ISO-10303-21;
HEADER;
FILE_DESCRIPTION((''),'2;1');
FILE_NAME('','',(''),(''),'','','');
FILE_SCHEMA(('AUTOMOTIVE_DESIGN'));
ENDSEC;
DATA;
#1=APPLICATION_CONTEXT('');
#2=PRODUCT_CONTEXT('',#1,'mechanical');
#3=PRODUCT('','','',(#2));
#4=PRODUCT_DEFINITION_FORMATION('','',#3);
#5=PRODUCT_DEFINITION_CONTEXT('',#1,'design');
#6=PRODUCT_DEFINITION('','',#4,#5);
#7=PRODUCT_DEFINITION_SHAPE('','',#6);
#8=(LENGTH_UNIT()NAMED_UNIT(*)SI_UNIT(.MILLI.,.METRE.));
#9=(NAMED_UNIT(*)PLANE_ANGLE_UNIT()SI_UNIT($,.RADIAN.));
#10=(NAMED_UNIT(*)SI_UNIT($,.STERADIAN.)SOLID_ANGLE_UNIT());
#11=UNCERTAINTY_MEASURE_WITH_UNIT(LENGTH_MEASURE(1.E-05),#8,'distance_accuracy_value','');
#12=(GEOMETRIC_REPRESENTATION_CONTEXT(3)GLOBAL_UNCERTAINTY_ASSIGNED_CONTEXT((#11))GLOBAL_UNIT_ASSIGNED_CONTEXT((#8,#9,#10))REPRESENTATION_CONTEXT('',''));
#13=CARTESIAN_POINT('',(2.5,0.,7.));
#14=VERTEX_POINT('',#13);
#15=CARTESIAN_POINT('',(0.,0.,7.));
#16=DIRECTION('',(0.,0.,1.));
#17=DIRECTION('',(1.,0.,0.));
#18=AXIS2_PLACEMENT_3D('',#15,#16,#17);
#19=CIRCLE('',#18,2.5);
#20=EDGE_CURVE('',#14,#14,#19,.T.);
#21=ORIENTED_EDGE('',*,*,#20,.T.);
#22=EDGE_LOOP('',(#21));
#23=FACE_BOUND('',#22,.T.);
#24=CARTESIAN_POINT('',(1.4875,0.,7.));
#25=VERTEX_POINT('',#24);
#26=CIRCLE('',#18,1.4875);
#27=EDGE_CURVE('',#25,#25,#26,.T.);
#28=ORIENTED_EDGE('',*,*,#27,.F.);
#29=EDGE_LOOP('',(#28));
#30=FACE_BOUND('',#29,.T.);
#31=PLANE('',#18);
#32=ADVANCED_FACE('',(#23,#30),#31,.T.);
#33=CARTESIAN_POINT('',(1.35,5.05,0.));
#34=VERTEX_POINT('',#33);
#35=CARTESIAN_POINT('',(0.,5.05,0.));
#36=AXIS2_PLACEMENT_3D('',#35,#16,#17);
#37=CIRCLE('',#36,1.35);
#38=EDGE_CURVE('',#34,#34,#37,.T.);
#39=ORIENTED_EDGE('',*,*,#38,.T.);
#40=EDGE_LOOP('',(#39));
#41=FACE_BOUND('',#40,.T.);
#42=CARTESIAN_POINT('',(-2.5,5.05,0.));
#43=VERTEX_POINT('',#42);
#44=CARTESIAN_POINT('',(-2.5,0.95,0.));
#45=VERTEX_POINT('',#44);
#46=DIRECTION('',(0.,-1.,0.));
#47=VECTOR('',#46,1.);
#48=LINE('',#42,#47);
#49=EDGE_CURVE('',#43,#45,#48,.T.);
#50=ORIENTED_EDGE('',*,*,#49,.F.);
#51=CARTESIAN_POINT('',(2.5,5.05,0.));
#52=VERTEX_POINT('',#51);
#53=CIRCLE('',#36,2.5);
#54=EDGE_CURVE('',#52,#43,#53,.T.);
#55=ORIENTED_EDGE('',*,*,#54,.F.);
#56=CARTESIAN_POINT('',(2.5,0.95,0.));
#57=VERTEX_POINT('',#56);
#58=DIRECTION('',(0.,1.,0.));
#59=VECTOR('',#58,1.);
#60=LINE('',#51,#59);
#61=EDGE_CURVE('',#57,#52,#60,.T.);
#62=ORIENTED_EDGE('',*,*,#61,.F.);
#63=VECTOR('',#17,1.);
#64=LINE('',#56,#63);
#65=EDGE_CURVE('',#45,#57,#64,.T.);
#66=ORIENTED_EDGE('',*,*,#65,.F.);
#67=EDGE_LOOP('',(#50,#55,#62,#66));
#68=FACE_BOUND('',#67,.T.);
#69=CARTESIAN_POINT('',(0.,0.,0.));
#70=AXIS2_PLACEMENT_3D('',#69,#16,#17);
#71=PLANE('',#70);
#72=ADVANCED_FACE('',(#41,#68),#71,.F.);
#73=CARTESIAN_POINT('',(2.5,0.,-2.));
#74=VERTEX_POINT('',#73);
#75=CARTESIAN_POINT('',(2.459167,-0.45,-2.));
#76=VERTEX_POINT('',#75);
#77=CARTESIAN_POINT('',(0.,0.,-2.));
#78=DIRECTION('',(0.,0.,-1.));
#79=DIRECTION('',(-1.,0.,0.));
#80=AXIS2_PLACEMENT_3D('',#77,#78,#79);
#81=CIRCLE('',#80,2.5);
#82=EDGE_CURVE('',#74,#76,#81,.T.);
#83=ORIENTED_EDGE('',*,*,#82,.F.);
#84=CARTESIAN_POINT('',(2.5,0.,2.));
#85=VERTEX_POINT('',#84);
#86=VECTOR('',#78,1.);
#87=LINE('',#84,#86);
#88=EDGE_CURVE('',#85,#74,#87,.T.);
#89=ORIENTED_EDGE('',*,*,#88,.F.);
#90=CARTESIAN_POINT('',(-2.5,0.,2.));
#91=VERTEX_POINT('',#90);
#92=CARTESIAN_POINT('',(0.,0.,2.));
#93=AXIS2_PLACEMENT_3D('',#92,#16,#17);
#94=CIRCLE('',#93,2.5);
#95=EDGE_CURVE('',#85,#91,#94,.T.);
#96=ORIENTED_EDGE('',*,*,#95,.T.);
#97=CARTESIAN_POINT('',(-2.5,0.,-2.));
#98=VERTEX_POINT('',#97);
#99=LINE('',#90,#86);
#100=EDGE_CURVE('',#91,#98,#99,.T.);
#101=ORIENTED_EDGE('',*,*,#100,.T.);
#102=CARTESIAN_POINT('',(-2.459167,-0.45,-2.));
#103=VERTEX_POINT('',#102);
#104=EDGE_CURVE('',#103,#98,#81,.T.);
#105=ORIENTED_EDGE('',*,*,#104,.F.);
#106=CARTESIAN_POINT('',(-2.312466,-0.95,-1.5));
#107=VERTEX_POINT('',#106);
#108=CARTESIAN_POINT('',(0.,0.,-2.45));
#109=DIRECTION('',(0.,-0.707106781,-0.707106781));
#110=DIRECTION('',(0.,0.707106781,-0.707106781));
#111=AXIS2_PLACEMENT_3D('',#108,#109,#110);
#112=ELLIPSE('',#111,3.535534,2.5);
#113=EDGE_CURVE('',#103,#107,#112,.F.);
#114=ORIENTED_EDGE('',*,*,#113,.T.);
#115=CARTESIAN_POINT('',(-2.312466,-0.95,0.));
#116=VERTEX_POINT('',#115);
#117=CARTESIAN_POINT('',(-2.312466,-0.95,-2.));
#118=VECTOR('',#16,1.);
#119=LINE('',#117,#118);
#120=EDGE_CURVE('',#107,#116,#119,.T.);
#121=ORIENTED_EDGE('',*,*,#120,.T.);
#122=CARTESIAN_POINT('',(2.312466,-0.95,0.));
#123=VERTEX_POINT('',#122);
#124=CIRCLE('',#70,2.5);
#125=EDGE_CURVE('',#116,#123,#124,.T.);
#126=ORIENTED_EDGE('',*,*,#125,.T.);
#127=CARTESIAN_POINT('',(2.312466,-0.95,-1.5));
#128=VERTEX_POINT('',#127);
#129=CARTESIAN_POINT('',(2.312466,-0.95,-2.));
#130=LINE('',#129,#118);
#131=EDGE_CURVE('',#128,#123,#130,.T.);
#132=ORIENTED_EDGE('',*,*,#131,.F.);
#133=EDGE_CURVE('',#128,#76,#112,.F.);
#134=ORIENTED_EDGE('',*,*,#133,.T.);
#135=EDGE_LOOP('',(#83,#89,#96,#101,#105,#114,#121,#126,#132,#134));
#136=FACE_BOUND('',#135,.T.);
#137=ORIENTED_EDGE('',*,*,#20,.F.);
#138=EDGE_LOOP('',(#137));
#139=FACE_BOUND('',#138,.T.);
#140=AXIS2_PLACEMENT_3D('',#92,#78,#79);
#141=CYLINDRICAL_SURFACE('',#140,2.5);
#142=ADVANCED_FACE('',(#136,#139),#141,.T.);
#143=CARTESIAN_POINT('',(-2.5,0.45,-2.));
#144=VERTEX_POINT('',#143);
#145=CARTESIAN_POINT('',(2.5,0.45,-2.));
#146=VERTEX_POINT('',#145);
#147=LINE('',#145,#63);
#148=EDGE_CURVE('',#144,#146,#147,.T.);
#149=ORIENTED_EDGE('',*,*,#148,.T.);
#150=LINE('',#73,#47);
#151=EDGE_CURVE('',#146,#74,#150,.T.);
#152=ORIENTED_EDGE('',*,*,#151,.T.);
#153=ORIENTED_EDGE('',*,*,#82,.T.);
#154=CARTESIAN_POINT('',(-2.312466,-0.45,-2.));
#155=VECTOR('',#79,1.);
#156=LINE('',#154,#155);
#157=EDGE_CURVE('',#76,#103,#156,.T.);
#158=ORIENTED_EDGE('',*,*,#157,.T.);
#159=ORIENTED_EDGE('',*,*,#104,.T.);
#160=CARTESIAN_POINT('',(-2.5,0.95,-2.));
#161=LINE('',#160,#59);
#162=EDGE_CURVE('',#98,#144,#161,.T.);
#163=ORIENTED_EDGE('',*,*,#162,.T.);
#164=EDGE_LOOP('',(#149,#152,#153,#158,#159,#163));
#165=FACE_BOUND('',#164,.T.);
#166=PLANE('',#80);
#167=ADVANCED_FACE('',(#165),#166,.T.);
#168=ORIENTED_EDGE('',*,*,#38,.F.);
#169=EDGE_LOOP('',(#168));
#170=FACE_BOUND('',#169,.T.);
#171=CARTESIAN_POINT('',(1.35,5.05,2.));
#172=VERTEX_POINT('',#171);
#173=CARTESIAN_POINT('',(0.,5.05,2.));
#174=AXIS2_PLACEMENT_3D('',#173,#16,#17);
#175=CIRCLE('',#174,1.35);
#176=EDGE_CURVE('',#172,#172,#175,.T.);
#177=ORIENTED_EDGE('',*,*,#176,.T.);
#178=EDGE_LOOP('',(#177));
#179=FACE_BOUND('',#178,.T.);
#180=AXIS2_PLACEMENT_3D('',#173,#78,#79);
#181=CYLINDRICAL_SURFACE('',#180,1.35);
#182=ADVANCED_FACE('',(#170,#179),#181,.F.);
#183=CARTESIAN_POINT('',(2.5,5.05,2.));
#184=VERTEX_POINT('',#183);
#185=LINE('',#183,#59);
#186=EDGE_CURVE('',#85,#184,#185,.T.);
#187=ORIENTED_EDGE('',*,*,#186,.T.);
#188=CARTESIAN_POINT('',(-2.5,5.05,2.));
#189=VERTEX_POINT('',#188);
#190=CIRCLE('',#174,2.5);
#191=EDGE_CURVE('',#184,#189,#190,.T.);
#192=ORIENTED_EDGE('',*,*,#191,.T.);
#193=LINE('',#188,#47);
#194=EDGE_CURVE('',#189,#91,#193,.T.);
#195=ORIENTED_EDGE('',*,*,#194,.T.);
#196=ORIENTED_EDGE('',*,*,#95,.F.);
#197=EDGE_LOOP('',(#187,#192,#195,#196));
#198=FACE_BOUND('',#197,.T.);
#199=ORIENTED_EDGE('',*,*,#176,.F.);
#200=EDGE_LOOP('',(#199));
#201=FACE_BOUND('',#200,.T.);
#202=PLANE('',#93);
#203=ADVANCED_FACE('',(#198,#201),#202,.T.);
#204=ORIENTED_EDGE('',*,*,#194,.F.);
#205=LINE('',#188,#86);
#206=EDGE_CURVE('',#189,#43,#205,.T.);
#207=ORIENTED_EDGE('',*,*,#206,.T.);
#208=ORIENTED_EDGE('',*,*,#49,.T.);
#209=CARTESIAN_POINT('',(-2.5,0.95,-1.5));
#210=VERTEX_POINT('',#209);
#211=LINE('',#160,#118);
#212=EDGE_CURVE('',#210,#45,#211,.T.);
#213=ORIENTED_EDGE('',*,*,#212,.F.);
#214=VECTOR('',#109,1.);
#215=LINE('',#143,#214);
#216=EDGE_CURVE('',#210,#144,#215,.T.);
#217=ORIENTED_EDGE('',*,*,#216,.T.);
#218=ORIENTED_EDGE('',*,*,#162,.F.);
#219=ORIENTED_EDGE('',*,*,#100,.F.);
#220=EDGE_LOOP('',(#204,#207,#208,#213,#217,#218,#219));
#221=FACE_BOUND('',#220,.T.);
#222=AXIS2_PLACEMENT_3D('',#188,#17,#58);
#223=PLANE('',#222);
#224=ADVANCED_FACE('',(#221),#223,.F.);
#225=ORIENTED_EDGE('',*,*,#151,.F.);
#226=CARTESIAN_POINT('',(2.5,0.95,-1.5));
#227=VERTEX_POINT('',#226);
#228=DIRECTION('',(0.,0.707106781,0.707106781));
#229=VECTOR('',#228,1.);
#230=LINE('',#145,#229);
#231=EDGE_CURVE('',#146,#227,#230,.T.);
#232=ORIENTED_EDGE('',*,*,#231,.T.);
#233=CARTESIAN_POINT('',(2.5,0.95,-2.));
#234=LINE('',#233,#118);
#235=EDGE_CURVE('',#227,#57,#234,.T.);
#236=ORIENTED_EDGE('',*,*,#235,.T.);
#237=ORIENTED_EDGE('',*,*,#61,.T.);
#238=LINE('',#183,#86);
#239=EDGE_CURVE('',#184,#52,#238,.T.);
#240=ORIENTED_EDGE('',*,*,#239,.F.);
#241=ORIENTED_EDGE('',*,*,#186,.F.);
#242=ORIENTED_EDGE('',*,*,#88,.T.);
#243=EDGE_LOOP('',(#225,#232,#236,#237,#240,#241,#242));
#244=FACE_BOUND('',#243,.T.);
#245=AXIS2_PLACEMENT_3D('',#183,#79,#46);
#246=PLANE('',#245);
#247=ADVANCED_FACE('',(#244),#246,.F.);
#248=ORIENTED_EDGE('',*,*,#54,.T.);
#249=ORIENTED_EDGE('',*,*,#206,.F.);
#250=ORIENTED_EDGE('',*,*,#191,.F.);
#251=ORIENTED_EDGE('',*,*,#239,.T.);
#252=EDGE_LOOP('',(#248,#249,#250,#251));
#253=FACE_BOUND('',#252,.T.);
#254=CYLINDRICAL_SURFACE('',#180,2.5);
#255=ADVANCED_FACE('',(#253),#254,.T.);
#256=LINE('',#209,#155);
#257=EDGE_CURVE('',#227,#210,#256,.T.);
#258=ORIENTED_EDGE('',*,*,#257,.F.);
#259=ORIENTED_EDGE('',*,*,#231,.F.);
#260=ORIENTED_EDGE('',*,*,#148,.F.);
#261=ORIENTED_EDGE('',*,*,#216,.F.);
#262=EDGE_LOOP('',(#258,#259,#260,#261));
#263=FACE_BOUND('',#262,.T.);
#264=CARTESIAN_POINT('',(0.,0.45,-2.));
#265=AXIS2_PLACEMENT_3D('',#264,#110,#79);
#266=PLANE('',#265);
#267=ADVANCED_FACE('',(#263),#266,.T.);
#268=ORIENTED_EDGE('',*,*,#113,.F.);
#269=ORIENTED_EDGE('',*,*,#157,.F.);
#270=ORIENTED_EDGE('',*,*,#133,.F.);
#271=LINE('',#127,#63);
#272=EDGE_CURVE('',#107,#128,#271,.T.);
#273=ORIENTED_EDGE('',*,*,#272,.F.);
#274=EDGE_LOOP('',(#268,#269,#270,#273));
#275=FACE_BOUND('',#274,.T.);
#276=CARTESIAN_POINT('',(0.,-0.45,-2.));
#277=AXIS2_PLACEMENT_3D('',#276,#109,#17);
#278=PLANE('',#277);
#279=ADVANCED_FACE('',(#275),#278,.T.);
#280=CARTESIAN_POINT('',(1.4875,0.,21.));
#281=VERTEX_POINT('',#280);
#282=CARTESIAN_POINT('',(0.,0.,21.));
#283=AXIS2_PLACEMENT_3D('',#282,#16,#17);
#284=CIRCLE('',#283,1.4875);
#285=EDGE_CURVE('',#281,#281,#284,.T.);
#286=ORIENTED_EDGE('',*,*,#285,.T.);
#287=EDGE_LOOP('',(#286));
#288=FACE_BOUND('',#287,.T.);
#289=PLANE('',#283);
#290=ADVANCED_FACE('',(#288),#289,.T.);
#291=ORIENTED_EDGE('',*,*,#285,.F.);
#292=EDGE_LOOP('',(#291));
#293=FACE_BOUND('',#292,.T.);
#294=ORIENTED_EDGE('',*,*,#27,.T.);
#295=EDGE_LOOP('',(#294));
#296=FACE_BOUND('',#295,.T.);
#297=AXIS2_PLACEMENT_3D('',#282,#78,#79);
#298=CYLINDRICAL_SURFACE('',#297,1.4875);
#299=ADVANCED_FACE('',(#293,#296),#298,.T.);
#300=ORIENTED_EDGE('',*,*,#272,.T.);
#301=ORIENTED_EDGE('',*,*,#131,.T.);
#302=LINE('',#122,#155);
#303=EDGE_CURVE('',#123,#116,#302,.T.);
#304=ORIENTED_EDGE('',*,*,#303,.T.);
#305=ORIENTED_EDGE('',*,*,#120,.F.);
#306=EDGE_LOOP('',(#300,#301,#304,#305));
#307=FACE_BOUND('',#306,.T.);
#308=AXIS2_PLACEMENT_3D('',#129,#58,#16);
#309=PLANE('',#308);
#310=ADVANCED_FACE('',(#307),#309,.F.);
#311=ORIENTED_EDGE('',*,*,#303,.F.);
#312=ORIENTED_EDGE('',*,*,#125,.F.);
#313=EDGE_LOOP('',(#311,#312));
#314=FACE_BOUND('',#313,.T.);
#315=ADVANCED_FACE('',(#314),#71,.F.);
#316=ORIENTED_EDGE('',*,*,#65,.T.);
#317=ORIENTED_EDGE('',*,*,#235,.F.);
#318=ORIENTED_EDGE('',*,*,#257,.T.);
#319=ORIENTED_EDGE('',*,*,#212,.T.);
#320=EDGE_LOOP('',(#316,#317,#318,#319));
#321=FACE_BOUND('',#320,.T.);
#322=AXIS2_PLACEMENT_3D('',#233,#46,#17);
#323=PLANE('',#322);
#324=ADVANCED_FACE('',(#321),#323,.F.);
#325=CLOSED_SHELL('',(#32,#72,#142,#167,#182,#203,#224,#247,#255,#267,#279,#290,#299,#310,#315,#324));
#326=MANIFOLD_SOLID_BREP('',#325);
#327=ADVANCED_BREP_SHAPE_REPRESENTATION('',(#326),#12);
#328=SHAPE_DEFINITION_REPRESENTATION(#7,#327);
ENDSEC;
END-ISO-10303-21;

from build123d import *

# Parameters (mm, degrees)
SKETCH1_R           = 1.35
BOSS_EXTRUDE1_DEPTH = 2
SKETCH2_R           = 2.5
BOSS_EXTRUDE2_DEPTH = 5
SKETCH3_R           = 1.4875
BOSS_EXTRUDE3_DEPTH = 14
BOSS_EXTRUDE4_START = 2
BOSS_EXTRUDE4_DEPTH = 2
CHAMFER1_SIZE       = 0.5


with BuildPart() as part:
    # Sketch1 → Boss-Extrude1 (new body)
    with BuildSketch(Plane.XY):
        with BuildLine():
            Line((-2.5, 5.05), (-2.5, 0))
            ThreePointArc((-2.5, 0), (0, -2.5), (2.5, 0))
            Line((2.5, 0), (2.5, 5.05))
            ThreePointArc((2.5, 5.05), (0, 7.55), (-2.5, 5.05))
        make_face()
        with Locations((0, 5.05)):
            Circle(SKETCH1_R, mode=Mode.SUBTRACT)
    extrude(amount=BOSS_EXTRUDE1_DEPTH)

    # Sketch2 → Boss-Extrude2 (add)
    with BuildSketch(Plane.XY.offset(2)):
        Circle(SKETCH2_R)
    extrude(amount=BOSS_EXTRUDE2_DEPTH)

    # Sketch3 → Boss-Extrude3 (add)
    with BuildSketch(Plane.XY.offset(7)):
        Circle(SKETCH3_R)
    extrude(amount=BOSS_EXTRUDE3_DEPTH)

    # Sketch4 → Boss-Extrude4 (add)
    with BuildSketch(Plane(origin=(0, 0, 0), x_dir=(-1, 0, 0), z_dir=(0, 0, -1)).offset(BOSS_EXTRUDE4_START)):
        with BuildLine():
            Line((-2.5, 0), (-2.5, 0.95))
            Line((-2.5, 0.95), (2.5, 0.95))
            Line((2.5, 0.95), (2.5, 0))
            ThreePointArc((2.5, 0), (2.4526685, -0.484166531), (2.312466216, -0.95))
            Line((2.312466216, -0.95), (-2.312466216, -0.95))
            ThreePointArc((-2.312466216, -0.95), (-2.4526685, -0.484166531), (-2.5, 0))
        make_face()
    extrude(amount=-BOSS_EXTRUDE4_DEPTH)

    # Chamfer1
    chamfer1_edges = [part.edges().sort_by_distance(p)[0] for p in [
        (0, -0.95, -2),
        (0, 0.95, -2),
    ]]
    chamfer(chamfer1_edges, length=CHAMFER1_SIZE)


solid = part.part
